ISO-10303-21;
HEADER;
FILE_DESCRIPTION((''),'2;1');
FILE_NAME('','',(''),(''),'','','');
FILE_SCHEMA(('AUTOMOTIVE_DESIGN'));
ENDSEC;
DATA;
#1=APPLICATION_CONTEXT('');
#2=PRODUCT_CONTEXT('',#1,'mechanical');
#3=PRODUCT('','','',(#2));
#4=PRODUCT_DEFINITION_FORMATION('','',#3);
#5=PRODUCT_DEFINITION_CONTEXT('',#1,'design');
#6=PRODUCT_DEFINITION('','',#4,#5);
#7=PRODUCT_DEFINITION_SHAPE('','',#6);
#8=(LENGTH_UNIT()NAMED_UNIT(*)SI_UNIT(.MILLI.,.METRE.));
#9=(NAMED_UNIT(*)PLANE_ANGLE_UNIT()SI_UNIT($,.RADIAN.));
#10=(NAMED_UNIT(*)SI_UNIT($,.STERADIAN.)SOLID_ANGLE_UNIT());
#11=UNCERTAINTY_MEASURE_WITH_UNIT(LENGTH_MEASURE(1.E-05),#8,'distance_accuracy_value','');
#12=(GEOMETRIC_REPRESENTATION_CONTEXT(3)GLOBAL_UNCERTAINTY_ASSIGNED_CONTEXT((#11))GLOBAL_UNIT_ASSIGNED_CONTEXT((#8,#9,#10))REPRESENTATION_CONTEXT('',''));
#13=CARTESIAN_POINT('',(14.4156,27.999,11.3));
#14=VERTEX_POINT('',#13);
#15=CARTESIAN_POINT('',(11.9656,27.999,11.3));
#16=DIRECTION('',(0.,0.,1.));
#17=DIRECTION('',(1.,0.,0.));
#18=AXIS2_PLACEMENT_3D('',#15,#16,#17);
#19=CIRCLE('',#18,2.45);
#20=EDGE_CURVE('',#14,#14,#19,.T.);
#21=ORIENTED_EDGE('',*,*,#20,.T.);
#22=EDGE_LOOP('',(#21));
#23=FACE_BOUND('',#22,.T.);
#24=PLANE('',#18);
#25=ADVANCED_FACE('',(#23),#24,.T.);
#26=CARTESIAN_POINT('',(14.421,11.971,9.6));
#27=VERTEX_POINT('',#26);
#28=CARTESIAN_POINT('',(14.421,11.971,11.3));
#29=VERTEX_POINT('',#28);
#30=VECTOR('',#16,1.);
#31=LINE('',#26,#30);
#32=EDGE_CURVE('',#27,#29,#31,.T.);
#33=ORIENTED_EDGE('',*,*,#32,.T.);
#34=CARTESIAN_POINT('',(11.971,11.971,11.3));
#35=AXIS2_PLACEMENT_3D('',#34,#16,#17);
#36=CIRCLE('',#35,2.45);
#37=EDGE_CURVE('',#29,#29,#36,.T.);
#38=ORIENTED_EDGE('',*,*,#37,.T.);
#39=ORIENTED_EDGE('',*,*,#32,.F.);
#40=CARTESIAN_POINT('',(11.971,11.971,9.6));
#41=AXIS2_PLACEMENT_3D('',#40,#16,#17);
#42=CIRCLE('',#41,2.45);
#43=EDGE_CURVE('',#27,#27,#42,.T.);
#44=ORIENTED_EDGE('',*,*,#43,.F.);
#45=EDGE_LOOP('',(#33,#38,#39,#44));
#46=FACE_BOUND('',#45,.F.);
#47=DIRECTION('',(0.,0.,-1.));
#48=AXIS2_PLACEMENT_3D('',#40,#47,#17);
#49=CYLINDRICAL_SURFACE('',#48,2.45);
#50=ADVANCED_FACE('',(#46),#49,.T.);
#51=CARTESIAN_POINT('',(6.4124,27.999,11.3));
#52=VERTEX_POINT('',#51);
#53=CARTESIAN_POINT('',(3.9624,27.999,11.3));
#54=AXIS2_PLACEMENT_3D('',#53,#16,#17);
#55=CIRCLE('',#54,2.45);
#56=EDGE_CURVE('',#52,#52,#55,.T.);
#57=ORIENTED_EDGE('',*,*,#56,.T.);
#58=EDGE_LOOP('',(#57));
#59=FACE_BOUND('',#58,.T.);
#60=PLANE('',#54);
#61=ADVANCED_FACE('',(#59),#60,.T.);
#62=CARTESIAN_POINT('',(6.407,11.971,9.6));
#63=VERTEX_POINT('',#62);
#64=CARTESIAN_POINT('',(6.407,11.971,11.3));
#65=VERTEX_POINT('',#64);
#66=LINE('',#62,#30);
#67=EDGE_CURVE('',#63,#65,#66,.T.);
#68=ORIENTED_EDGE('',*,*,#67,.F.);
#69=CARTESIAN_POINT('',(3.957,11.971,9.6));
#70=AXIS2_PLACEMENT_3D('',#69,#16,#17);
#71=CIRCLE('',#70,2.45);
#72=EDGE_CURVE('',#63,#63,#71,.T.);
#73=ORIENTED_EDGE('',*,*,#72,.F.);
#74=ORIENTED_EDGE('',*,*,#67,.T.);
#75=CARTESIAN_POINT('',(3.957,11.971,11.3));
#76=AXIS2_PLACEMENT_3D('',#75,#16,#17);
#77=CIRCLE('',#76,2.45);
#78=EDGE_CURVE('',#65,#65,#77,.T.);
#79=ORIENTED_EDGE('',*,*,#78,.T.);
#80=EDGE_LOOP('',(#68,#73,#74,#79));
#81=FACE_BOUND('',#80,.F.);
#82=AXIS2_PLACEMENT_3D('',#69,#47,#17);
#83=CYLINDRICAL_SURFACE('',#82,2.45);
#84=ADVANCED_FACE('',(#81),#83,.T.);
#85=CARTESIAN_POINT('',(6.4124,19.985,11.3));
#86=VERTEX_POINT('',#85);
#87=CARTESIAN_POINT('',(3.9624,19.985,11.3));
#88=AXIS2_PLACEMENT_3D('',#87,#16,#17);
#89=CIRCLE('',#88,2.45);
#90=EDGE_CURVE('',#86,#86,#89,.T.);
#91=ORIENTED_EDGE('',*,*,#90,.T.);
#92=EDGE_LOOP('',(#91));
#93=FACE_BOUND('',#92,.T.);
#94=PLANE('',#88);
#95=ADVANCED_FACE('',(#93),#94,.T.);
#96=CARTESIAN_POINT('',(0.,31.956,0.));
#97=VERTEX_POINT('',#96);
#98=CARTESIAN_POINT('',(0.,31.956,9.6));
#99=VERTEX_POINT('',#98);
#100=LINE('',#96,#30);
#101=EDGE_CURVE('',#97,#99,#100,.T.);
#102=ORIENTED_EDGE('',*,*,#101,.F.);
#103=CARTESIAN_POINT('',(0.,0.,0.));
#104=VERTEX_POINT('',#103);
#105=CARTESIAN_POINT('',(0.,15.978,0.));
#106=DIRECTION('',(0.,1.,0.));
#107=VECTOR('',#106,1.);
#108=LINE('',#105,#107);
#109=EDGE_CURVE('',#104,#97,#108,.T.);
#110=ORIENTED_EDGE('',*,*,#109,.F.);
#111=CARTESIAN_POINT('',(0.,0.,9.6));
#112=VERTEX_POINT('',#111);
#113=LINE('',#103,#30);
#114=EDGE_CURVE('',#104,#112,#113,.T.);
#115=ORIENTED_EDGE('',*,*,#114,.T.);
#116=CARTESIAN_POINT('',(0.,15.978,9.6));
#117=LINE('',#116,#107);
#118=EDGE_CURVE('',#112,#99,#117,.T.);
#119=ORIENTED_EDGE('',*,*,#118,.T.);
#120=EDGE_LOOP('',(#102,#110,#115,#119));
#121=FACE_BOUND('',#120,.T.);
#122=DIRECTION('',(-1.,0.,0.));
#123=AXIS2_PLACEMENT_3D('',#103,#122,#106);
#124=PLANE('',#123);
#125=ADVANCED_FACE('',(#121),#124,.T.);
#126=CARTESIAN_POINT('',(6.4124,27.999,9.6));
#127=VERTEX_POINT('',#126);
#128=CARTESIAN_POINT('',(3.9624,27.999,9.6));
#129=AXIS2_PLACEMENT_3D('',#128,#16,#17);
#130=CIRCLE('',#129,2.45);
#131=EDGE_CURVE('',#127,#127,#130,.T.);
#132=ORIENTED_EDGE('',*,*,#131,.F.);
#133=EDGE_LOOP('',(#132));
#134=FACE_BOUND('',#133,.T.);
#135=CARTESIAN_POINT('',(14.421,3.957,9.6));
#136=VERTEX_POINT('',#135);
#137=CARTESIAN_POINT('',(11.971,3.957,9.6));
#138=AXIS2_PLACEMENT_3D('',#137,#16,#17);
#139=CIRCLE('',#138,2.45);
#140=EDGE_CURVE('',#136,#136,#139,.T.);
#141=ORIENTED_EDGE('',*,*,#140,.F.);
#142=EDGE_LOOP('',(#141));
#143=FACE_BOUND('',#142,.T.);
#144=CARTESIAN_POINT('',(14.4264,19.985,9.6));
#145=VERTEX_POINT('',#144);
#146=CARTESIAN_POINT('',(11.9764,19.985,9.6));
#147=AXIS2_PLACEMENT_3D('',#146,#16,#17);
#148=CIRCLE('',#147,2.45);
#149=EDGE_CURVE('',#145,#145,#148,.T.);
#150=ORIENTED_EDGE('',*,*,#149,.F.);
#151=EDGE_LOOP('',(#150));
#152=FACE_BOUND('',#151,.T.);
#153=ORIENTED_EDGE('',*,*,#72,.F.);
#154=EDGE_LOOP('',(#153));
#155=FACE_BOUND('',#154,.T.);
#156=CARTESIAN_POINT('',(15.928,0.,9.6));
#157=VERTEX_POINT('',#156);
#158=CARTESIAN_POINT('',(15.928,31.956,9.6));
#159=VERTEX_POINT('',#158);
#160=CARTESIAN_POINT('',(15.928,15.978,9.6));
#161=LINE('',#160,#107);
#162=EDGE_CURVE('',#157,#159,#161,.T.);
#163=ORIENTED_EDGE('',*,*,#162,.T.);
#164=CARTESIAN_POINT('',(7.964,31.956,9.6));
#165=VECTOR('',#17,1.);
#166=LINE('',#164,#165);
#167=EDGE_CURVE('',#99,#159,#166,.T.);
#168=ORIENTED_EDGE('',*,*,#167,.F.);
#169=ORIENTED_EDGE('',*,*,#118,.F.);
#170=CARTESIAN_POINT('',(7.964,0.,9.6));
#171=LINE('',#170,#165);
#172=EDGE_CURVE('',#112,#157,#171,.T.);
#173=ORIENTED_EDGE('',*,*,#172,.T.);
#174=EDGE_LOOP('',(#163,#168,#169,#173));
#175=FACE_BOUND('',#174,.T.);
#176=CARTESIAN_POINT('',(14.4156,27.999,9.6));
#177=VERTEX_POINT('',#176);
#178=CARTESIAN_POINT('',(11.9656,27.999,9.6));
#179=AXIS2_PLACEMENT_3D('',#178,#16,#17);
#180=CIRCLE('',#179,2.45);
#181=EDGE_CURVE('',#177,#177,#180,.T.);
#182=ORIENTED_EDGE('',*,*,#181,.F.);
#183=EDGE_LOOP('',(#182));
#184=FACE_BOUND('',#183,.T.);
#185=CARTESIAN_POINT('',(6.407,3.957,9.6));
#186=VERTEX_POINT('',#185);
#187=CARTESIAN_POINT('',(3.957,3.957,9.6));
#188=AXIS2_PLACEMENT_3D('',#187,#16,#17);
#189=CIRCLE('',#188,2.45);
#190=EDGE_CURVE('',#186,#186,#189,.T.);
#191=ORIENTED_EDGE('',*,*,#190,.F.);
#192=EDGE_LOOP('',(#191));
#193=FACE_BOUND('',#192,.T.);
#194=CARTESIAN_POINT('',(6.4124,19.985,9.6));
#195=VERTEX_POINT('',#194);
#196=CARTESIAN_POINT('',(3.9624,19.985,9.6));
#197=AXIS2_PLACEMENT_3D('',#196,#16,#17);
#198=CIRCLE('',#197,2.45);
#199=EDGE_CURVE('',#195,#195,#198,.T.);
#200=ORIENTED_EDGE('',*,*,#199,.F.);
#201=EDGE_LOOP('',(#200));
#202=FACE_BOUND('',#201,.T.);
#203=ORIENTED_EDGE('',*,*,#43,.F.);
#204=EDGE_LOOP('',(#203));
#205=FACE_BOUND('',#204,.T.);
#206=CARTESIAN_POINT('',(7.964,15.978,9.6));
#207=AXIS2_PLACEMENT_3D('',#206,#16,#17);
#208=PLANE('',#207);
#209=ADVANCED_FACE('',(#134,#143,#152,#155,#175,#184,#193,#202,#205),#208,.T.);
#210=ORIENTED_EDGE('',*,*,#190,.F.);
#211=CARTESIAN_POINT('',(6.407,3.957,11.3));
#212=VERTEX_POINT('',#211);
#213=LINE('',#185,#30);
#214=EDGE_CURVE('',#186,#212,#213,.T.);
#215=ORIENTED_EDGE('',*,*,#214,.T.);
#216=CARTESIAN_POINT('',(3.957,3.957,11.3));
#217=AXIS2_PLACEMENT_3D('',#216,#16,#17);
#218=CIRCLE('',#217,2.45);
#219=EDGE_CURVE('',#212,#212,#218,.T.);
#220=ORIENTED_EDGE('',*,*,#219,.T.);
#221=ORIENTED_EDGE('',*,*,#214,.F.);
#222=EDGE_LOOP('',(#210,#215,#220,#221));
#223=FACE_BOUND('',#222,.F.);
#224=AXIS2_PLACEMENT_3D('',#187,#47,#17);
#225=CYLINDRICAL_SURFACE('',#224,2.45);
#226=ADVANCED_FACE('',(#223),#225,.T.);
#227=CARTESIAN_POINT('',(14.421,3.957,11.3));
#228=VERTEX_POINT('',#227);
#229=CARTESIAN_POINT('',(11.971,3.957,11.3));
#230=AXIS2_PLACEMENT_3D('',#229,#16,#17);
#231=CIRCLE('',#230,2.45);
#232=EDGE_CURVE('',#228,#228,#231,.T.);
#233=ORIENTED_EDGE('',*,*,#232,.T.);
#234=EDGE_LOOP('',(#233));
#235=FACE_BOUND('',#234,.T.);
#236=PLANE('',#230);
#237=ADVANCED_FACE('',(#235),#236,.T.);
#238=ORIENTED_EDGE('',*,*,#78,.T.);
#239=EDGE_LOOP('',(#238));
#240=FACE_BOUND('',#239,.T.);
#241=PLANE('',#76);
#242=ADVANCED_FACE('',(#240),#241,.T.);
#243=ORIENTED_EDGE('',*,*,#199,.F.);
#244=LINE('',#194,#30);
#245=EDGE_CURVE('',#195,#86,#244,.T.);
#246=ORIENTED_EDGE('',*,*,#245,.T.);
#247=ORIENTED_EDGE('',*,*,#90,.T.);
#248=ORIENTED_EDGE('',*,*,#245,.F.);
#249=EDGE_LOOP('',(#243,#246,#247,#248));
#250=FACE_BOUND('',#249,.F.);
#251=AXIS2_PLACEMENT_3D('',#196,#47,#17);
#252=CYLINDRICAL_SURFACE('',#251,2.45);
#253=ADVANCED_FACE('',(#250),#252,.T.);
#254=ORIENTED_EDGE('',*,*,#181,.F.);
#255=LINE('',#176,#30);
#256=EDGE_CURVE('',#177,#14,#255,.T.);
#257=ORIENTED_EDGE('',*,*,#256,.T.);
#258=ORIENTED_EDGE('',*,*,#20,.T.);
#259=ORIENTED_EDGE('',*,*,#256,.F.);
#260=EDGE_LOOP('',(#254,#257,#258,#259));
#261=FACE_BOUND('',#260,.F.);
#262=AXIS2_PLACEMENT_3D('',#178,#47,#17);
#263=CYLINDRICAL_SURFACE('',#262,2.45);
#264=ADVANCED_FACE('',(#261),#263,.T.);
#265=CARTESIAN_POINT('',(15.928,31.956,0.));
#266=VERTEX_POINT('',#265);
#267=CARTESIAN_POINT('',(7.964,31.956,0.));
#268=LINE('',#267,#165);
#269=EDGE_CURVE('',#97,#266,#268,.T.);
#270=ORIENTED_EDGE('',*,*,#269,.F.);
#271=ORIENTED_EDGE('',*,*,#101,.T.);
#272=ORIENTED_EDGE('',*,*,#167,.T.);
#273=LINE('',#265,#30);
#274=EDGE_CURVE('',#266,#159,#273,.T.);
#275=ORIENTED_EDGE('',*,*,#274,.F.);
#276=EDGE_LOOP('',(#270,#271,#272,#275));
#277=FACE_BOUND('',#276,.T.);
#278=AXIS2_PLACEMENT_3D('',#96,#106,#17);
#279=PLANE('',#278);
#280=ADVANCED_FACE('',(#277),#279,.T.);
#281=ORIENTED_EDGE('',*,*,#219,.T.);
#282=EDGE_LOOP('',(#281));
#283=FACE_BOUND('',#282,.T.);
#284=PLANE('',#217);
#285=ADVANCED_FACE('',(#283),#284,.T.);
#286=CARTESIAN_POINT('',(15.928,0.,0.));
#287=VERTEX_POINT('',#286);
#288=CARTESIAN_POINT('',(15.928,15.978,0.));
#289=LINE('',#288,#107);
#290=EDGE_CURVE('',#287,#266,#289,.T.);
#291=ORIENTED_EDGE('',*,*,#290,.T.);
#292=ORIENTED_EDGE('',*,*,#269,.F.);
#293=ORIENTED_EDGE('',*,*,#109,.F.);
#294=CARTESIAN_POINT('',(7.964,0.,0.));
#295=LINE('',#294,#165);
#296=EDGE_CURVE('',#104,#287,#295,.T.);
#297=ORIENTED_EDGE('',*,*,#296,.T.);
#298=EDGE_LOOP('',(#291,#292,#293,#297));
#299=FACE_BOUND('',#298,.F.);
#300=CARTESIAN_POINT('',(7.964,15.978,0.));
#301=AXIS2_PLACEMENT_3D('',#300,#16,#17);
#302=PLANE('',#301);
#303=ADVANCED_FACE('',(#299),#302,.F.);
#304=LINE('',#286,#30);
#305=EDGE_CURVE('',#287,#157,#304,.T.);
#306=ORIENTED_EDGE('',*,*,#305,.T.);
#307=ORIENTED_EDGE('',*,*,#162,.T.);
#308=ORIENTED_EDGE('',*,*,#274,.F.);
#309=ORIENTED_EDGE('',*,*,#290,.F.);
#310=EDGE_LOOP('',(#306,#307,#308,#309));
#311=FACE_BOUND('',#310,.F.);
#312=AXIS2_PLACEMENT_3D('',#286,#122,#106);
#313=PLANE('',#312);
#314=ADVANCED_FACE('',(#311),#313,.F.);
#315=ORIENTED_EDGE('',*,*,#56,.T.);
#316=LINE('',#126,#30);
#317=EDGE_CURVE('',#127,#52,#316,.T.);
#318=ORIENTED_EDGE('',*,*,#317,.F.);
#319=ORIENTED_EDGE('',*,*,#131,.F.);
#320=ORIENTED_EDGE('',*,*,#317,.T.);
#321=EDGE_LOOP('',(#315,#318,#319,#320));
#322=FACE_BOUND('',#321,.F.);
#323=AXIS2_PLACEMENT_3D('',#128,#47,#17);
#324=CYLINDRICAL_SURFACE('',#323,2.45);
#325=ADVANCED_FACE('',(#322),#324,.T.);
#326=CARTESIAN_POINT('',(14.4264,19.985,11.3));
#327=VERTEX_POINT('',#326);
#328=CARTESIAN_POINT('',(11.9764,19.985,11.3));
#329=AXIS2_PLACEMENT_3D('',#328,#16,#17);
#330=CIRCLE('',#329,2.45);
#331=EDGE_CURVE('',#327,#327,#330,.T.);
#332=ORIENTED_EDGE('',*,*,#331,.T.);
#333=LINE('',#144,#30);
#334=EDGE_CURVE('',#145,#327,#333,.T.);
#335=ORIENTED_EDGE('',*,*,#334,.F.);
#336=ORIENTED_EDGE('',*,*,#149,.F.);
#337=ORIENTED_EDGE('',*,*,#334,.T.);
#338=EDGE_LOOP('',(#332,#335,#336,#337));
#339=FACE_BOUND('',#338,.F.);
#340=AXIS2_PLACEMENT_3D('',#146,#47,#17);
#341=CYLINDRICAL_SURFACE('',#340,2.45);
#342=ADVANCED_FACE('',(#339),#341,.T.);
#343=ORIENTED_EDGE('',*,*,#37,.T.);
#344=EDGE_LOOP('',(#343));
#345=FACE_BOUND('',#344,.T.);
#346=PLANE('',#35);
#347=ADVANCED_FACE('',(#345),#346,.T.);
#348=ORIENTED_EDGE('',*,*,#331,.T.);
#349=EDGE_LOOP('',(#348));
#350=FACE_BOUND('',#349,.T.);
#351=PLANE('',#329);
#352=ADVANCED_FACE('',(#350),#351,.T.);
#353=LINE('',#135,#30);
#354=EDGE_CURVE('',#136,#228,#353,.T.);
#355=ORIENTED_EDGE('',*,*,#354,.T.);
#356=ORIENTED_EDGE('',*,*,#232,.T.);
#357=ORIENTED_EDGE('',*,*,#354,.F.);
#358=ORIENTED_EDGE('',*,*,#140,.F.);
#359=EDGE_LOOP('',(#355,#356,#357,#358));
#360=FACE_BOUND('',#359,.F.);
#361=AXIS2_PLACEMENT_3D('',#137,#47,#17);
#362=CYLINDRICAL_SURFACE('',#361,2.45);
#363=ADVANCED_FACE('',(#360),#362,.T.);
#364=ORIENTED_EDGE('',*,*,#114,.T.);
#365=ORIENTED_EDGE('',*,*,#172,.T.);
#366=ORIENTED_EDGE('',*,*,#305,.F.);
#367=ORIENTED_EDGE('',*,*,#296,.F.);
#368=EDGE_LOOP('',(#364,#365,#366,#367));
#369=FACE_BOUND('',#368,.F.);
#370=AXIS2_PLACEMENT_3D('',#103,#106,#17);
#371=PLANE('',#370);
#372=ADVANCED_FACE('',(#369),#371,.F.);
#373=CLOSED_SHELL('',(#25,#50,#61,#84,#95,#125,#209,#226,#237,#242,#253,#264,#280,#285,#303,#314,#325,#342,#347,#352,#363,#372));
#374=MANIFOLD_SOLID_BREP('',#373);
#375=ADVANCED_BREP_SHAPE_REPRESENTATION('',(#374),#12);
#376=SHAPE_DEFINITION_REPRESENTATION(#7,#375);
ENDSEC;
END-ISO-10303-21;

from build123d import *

# Parameters (mm, degrees)
F0_W     = 15.928
F0_H     = 31.956
F1_DEPTH = 9.6
F2_R     = 2.45
F3_DEPTH = 1.7


with BuildPart() as f1:
    # F0 (on Top) → F1 (new body)
    with BuildSketch(Plane.XY):
        with Locations((7.964, 15.978)):
            Rectangle(F0_W, F0_H)
    extrude(amount=F1_DEPTH)

    # F2 (on face) → F3 (join)
    with BuildSketch(Plane.XY.offset(9.6)):
        with Locations((11.971, 3.957)):
            Circle(F2_R)
        with Locations((3.957, 3.957)):
            Circle(F2_R)
        with Locations((11.9656, 27.999)):
            Circle(F2_R)
        with Locations((3.9624, 27.999)):
            Circle(F2_R)
        with Locations((3.9624, 19.985)):
            Circle(F2_R)
        with Locations((11.9764, 19.985)):
            Circle(F2_R)
        with Locations((11.971, 11.971)):
            Circle(F2_R)
        with Locations((3.957, 11.971)):
            Circle(F2_R)
    extrude(amount=F3_DEPTH)


solid = f1.part
